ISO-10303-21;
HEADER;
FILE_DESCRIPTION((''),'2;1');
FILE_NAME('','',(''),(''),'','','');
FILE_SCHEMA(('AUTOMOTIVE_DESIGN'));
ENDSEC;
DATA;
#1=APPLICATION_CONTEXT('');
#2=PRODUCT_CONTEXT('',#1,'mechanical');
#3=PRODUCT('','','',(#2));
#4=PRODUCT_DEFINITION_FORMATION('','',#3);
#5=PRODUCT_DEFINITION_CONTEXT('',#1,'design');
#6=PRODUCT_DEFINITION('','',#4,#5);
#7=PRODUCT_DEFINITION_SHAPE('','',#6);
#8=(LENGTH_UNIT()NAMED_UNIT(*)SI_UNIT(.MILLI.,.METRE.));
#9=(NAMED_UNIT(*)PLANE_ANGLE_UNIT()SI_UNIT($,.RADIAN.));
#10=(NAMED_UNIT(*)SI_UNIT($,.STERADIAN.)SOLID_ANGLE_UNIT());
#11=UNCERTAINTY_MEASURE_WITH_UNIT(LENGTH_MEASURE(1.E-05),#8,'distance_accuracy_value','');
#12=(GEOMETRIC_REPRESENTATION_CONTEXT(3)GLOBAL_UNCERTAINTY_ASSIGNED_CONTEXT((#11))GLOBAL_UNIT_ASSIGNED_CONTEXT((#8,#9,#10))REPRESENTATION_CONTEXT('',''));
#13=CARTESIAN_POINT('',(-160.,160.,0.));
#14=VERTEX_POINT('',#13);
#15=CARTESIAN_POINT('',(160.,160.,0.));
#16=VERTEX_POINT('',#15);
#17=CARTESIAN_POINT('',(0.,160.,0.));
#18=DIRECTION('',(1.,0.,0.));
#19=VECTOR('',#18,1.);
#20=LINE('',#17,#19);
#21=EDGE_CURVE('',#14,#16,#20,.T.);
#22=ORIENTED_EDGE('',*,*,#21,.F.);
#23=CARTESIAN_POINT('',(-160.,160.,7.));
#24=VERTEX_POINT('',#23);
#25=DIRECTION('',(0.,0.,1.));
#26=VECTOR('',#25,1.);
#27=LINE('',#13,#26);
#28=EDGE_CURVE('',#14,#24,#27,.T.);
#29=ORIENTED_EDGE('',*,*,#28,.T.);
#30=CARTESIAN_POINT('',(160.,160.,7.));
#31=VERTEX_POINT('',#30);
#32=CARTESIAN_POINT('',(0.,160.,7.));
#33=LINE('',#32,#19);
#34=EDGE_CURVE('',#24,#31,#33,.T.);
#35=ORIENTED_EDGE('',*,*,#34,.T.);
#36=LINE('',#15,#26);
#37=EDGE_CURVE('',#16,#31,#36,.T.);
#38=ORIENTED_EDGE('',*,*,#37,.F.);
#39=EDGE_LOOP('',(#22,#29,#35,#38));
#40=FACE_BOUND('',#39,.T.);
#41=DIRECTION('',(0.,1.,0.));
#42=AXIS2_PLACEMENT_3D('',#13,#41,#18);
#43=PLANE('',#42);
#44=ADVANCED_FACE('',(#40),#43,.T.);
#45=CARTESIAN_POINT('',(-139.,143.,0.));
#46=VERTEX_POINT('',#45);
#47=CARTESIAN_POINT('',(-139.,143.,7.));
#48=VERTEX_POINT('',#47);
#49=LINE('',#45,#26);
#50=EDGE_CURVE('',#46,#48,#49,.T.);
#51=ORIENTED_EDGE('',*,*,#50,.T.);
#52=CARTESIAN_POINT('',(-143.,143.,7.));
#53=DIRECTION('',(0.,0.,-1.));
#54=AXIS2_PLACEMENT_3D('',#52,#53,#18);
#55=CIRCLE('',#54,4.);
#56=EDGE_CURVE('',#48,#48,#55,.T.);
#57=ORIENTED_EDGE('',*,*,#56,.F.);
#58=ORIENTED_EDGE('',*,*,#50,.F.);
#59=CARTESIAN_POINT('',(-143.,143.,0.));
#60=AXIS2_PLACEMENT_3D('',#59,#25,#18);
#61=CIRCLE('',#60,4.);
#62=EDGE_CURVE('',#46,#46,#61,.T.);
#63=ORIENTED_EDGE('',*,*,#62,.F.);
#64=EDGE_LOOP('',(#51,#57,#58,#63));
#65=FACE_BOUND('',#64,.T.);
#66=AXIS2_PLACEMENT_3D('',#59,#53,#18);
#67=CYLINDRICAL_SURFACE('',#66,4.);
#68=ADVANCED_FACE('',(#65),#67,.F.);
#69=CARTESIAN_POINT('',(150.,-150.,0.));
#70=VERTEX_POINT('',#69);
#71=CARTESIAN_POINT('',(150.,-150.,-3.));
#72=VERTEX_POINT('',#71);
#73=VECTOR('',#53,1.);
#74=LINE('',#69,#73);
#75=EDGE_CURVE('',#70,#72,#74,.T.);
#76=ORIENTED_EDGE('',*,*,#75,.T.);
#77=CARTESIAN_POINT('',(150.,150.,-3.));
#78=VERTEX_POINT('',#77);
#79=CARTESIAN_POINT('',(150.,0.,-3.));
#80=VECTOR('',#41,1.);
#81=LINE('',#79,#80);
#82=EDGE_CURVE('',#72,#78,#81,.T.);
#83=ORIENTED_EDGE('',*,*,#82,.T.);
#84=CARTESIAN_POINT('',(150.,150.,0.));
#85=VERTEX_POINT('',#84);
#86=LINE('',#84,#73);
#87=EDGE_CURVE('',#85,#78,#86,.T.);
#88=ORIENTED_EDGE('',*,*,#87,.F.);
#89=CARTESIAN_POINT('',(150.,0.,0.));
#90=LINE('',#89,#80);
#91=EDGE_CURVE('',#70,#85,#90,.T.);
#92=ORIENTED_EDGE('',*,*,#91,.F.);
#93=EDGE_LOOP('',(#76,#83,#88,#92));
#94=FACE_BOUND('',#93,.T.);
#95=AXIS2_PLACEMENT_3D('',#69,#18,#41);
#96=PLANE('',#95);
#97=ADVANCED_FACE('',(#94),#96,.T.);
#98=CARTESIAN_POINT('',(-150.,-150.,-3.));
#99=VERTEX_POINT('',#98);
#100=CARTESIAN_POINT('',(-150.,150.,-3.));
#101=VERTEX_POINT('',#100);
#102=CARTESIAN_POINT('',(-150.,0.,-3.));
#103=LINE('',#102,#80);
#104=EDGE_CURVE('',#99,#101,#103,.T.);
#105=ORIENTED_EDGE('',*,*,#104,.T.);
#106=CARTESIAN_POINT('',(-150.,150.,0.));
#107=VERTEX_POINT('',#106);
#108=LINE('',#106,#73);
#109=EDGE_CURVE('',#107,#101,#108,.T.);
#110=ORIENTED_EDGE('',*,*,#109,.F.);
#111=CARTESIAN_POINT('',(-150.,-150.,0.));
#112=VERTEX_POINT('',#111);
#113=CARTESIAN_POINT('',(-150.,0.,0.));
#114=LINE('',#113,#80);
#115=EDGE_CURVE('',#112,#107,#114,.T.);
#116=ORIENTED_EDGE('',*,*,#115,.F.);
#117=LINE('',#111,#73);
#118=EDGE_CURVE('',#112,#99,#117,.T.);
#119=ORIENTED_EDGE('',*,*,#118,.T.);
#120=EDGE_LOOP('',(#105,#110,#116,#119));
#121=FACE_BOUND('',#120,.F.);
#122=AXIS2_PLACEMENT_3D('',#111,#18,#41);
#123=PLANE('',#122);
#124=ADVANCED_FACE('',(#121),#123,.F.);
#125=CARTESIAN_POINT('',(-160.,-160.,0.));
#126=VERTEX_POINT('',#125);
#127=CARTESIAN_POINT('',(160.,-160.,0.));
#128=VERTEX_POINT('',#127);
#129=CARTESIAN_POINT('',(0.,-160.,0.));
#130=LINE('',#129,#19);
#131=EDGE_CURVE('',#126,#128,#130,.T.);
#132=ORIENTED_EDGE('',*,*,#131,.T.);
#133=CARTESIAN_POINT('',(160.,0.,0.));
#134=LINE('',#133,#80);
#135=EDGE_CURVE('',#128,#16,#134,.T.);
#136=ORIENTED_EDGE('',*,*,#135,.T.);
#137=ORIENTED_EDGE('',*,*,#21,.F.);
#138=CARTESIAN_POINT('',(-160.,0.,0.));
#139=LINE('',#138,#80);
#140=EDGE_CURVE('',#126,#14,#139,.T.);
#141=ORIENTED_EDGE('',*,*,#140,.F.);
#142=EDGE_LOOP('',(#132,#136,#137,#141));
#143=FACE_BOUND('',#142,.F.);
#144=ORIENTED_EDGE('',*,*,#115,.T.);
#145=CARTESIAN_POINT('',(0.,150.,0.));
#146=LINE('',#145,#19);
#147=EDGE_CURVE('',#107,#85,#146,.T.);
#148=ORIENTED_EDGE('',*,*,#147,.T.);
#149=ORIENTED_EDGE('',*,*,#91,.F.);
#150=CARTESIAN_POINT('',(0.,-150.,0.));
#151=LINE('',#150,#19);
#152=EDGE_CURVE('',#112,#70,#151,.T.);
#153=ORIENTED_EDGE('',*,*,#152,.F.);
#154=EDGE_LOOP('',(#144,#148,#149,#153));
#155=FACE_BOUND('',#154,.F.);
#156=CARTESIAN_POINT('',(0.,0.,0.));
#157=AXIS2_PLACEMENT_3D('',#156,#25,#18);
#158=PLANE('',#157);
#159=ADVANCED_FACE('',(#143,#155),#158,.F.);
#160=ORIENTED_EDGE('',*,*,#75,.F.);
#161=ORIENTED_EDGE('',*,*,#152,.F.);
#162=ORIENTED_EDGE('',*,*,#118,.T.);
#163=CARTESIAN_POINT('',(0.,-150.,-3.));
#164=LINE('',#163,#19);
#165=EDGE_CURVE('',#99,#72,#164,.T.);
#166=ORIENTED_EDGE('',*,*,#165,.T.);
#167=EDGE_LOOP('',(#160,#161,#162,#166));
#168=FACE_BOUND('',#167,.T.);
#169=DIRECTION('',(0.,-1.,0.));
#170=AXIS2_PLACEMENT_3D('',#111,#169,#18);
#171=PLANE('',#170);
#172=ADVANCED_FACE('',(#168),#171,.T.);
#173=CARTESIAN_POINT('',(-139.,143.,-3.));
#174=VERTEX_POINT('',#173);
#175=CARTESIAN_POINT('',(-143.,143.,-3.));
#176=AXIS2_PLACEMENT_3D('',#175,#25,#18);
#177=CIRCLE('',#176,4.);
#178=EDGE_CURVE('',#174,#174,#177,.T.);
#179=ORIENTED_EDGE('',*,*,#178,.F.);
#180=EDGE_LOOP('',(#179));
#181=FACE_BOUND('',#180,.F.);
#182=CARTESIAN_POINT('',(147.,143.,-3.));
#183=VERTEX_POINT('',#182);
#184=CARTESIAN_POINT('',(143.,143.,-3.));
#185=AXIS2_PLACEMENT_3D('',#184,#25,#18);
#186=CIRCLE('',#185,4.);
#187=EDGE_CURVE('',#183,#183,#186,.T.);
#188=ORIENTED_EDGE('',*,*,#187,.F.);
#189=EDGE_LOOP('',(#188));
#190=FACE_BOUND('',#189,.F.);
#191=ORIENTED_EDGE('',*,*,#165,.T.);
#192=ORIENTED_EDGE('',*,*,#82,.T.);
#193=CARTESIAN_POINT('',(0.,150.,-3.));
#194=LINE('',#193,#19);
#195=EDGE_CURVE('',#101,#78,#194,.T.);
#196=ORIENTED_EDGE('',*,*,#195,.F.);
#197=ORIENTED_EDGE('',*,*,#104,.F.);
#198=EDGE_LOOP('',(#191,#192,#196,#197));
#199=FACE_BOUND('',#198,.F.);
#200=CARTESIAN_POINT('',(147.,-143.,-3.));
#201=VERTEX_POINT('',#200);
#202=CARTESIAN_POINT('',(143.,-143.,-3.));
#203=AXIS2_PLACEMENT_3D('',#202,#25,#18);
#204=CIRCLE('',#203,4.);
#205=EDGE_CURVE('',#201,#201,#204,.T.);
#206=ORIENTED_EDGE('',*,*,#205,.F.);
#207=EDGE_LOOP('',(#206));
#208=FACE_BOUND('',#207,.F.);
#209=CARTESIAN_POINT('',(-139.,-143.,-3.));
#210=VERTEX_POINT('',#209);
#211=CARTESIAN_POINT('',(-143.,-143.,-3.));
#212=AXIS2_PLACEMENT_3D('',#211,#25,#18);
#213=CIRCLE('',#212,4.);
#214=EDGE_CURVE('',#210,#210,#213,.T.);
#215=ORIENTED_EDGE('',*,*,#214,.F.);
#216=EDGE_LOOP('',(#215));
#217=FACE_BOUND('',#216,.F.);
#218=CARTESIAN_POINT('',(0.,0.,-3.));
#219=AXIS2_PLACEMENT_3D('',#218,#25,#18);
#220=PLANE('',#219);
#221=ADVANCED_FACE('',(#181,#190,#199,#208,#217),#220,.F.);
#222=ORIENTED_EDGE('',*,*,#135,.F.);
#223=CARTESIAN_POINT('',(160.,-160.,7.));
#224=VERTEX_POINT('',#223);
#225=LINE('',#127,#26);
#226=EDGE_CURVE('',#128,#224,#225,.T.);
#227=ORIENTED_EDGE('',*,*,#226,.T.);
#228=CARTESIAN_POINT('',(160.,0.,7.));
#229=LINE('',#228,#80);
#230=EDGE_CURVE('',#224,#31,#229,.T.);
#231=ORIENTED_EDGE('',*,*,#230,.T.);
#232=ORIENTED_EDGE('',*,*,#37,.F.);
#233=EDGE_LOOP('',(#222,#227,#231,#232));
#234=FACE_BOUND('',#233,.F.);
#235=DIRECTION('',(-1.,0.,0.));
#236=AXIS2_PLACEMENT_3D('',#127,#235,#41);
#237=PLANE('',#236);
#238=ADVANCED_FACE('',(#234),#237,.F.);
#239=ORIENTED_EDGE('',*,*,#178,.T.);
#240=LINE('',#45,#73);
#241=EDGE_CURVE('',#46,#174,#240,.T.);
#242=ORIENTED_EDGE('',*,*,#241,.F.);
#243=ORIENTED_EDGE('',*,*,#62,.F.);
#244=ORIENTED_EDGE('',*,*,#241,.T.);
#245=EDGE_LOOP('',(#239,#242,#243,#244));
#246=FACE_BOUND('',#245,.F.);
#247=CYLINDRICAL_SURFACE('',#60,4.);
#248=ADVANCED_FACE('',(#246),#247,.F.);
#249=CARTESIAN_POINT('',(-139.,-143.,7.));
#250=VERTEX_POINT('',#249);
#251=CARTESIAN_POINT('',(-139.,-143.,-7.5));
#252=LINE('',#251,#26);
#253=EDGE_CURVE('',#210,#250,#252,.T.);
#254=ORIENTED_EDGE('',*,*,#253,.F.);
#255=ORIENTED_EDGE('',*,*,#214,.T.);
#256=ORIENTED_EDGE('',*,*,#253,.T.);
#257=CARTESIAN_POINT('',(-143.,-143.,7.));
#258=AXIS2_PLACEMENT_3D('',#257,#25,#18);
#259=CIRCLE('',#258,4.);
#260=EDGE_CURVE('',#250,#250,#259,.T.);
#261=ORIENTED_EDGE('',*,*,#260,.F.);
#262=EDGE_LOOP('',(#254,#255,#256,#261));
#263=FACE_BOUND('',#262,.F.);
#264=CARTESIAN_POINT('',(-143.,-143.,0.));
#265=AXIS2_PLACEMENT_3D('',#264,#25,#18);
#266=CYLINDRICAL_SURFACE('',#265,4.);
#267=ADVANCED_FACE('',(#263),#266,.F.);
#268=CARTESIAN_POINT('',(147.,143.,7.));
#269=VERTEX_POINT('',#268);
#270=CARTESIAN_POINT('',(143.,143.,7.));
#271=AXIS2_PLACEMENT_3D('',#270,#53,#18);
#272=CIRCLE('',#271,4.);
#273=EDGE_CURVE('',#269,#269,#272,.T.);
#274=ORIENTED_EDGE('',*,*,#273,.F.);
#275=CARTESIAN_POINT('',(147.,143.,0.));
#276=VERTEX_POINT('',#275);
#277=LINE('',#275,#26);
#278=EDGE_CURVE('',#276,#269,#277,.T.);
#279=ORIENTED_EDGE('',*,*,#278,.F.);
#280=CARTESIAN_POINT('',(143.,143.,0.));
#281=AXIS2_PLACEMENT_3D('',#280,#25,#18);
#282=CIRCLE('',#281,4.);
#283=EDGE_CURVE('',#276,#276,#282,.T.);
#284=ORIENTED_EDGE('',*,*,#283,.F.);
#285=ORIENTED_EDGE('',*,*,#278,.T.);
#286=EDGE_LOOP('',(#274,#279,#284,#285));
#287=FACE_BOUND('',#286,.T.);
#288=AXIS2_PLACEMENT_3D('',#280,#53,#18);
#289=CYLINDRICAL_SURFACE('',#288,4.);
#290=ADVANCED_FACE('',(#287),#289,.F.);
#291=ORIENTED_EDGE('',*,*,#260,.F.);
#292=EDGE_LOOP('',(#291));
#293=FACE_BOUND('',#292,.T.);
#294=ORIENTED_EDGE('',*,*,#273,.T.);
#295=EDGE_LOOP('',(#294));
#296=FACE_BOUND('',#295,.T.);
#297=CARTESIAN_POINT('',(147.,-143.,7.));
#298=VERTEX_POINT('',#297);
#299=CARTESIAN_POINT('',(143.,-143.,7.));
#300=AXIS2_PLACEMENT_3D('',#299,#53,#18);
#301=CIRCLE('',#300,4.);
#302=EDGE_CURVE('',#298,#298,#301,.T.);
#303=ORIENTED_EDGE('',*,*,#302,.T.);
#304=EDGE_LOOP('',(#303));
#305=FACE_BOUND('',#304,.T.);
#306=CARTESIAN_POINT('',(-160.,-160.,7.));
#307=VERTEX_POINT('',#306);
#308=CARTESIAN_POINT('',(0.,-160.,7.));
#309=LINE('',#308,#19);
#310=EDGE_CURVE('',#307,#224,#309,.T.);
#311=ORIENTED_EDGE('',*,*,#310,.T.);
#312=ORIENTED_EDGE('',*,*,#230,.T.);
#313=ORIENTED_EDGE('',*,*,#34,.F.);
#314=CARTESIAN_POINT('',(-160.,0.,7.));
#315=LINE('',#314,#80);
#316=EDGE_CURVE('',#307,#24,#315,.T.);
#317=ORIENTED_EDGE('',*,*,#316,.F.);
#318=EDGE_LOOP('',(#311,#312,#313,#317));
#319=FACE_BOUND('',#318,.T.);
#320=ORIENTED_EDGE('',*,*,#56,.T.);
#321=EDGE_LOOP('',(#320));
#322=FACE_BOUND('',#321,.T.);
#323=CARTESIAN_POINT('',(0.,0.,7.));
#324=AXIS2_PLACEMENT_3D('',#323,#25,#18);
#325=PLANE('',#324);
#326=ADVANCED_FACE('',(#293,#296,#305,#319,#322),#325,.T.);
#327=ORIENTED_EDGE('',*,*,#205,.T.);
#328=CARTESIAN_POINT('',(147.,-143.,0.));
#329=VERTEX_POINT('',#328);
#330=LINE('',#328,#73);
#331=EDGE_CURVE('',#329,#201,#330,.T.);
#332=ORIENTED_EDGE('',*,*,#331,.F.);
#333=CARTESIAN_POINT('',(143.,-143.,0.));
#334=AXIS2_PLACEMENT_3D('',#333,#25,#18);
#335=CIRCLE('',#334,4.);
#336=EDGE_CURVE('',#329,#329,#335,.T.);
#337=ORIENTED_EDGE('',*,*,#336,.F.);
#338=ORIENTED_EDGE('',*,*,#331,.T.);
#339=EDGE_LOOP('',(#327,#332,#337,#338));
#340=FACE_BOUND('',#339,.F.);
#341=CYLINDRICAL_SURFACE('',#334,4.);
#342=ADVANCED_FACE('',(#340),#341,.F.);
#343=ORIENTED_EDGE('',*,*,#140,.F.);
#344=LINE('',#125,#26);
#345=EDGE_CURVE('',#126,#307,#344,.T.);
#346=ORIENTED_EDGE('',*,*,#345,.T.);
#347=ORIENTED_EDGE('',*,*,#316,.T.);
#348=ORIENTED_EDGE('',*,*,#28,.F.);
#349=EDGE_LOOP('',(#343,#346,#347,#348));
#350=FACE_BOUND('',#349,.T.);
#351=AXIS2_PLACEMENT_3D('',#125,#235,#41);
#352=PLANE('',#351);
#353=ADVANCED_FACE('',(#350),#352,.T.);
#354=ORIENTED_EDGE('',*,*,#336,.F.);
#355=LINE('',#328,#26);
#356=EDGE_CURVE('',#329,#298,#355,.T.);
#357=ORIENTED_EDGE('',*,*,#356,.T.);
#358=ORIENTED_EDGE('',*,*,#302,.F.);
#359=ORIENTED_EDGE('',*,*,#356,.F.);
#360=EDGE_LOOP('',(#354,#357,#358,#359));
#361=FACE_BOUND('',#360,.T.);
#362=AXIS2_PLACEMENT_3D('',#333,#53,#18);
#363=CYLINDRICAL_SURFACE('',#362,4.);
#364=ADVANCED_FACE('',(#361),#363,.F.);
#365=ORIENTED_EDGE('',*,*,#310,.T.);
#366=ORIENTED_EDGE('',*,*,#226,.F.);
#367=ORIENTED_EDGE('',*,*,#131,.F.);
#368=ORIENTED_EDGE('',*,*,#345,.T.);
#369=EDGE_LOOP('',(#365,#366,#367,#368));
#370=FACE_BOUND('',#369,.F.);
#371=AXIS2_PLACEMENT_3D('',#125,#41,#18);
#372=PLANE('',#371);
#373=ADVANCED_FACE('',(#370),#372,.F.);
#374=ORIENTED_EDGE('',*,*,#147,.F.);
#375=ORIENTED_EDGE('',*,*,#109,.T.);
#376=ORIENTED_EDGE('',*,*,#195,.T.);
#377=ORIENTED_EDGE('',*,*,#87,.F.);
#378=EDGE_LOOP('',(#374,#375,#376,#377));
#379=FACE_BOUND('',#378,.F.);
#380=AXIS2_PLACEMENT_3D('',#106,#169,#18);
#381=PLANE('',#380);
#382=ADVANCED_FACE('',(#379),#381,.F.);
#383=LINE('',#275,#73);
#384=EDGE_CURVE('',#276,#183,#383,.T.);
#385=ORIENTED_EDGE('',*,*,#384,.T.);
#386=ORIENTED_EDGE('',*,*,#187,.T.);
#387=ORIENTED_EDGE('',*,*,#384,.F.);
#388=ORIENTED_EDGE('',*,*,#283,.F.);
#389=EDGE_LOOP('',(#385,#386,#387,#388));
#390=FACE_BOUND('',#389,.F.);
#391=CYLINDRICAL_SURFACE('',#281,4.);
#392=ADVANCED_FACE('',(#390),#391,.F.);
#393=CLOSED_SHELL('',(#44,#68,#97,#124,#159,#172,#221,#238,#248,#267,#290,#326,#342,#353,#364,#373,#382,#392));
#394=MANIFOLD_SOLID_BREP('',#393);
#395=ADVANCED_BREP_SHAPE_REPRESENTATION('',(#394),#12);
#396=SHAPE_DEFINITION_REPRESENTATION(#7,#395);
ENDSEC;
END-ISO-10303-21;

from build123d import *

# Parameters (mm, degrees)
F0_W     = 320
F0_H     = 320
F0_W_2   = 300
F0_H_2   = 300
F1_DEPTH = 7
F2_DEPTH = 3
F3_R     = 4
F4_DEPTH = 7.5


with BuildPart() as f1:
    # F0 (on Top) → F1 (new body)
    with BuildSketch(Plane.XY):
        Rectangle(F0_W, F0_H)
        Rectangle(F0_W_2, F0_H_2, mode=Mode.SUBTRACT)
        Rectangle(F0_W_2, F0_H_2)
    extrude(amount=F1_DEPTH)

    # F0 (on Top) → F2 (join)
    with BuildSketch(Plane.XY):
        Rectangle(F0_W_2, F0_H_2)
    extrude(amount=-F2_DEPTH)

    # F3 (on Top) → F4 (cut, symmetric)
    with BuildSketch(Plane.XY):
        with Locations((-143, 143)):
            Circle(F3_R)
        with Locations((143, 143)):
            Circle(F3_R)
        with Locations((143, -143)):
            Circle(F3_R)
        with Locations((-143, -143)):
            Circle(F3_R)
    extrude(amount=F4_DEPTH, both=True, mode=Mode.SUBTRACT)


solid = f1.part
